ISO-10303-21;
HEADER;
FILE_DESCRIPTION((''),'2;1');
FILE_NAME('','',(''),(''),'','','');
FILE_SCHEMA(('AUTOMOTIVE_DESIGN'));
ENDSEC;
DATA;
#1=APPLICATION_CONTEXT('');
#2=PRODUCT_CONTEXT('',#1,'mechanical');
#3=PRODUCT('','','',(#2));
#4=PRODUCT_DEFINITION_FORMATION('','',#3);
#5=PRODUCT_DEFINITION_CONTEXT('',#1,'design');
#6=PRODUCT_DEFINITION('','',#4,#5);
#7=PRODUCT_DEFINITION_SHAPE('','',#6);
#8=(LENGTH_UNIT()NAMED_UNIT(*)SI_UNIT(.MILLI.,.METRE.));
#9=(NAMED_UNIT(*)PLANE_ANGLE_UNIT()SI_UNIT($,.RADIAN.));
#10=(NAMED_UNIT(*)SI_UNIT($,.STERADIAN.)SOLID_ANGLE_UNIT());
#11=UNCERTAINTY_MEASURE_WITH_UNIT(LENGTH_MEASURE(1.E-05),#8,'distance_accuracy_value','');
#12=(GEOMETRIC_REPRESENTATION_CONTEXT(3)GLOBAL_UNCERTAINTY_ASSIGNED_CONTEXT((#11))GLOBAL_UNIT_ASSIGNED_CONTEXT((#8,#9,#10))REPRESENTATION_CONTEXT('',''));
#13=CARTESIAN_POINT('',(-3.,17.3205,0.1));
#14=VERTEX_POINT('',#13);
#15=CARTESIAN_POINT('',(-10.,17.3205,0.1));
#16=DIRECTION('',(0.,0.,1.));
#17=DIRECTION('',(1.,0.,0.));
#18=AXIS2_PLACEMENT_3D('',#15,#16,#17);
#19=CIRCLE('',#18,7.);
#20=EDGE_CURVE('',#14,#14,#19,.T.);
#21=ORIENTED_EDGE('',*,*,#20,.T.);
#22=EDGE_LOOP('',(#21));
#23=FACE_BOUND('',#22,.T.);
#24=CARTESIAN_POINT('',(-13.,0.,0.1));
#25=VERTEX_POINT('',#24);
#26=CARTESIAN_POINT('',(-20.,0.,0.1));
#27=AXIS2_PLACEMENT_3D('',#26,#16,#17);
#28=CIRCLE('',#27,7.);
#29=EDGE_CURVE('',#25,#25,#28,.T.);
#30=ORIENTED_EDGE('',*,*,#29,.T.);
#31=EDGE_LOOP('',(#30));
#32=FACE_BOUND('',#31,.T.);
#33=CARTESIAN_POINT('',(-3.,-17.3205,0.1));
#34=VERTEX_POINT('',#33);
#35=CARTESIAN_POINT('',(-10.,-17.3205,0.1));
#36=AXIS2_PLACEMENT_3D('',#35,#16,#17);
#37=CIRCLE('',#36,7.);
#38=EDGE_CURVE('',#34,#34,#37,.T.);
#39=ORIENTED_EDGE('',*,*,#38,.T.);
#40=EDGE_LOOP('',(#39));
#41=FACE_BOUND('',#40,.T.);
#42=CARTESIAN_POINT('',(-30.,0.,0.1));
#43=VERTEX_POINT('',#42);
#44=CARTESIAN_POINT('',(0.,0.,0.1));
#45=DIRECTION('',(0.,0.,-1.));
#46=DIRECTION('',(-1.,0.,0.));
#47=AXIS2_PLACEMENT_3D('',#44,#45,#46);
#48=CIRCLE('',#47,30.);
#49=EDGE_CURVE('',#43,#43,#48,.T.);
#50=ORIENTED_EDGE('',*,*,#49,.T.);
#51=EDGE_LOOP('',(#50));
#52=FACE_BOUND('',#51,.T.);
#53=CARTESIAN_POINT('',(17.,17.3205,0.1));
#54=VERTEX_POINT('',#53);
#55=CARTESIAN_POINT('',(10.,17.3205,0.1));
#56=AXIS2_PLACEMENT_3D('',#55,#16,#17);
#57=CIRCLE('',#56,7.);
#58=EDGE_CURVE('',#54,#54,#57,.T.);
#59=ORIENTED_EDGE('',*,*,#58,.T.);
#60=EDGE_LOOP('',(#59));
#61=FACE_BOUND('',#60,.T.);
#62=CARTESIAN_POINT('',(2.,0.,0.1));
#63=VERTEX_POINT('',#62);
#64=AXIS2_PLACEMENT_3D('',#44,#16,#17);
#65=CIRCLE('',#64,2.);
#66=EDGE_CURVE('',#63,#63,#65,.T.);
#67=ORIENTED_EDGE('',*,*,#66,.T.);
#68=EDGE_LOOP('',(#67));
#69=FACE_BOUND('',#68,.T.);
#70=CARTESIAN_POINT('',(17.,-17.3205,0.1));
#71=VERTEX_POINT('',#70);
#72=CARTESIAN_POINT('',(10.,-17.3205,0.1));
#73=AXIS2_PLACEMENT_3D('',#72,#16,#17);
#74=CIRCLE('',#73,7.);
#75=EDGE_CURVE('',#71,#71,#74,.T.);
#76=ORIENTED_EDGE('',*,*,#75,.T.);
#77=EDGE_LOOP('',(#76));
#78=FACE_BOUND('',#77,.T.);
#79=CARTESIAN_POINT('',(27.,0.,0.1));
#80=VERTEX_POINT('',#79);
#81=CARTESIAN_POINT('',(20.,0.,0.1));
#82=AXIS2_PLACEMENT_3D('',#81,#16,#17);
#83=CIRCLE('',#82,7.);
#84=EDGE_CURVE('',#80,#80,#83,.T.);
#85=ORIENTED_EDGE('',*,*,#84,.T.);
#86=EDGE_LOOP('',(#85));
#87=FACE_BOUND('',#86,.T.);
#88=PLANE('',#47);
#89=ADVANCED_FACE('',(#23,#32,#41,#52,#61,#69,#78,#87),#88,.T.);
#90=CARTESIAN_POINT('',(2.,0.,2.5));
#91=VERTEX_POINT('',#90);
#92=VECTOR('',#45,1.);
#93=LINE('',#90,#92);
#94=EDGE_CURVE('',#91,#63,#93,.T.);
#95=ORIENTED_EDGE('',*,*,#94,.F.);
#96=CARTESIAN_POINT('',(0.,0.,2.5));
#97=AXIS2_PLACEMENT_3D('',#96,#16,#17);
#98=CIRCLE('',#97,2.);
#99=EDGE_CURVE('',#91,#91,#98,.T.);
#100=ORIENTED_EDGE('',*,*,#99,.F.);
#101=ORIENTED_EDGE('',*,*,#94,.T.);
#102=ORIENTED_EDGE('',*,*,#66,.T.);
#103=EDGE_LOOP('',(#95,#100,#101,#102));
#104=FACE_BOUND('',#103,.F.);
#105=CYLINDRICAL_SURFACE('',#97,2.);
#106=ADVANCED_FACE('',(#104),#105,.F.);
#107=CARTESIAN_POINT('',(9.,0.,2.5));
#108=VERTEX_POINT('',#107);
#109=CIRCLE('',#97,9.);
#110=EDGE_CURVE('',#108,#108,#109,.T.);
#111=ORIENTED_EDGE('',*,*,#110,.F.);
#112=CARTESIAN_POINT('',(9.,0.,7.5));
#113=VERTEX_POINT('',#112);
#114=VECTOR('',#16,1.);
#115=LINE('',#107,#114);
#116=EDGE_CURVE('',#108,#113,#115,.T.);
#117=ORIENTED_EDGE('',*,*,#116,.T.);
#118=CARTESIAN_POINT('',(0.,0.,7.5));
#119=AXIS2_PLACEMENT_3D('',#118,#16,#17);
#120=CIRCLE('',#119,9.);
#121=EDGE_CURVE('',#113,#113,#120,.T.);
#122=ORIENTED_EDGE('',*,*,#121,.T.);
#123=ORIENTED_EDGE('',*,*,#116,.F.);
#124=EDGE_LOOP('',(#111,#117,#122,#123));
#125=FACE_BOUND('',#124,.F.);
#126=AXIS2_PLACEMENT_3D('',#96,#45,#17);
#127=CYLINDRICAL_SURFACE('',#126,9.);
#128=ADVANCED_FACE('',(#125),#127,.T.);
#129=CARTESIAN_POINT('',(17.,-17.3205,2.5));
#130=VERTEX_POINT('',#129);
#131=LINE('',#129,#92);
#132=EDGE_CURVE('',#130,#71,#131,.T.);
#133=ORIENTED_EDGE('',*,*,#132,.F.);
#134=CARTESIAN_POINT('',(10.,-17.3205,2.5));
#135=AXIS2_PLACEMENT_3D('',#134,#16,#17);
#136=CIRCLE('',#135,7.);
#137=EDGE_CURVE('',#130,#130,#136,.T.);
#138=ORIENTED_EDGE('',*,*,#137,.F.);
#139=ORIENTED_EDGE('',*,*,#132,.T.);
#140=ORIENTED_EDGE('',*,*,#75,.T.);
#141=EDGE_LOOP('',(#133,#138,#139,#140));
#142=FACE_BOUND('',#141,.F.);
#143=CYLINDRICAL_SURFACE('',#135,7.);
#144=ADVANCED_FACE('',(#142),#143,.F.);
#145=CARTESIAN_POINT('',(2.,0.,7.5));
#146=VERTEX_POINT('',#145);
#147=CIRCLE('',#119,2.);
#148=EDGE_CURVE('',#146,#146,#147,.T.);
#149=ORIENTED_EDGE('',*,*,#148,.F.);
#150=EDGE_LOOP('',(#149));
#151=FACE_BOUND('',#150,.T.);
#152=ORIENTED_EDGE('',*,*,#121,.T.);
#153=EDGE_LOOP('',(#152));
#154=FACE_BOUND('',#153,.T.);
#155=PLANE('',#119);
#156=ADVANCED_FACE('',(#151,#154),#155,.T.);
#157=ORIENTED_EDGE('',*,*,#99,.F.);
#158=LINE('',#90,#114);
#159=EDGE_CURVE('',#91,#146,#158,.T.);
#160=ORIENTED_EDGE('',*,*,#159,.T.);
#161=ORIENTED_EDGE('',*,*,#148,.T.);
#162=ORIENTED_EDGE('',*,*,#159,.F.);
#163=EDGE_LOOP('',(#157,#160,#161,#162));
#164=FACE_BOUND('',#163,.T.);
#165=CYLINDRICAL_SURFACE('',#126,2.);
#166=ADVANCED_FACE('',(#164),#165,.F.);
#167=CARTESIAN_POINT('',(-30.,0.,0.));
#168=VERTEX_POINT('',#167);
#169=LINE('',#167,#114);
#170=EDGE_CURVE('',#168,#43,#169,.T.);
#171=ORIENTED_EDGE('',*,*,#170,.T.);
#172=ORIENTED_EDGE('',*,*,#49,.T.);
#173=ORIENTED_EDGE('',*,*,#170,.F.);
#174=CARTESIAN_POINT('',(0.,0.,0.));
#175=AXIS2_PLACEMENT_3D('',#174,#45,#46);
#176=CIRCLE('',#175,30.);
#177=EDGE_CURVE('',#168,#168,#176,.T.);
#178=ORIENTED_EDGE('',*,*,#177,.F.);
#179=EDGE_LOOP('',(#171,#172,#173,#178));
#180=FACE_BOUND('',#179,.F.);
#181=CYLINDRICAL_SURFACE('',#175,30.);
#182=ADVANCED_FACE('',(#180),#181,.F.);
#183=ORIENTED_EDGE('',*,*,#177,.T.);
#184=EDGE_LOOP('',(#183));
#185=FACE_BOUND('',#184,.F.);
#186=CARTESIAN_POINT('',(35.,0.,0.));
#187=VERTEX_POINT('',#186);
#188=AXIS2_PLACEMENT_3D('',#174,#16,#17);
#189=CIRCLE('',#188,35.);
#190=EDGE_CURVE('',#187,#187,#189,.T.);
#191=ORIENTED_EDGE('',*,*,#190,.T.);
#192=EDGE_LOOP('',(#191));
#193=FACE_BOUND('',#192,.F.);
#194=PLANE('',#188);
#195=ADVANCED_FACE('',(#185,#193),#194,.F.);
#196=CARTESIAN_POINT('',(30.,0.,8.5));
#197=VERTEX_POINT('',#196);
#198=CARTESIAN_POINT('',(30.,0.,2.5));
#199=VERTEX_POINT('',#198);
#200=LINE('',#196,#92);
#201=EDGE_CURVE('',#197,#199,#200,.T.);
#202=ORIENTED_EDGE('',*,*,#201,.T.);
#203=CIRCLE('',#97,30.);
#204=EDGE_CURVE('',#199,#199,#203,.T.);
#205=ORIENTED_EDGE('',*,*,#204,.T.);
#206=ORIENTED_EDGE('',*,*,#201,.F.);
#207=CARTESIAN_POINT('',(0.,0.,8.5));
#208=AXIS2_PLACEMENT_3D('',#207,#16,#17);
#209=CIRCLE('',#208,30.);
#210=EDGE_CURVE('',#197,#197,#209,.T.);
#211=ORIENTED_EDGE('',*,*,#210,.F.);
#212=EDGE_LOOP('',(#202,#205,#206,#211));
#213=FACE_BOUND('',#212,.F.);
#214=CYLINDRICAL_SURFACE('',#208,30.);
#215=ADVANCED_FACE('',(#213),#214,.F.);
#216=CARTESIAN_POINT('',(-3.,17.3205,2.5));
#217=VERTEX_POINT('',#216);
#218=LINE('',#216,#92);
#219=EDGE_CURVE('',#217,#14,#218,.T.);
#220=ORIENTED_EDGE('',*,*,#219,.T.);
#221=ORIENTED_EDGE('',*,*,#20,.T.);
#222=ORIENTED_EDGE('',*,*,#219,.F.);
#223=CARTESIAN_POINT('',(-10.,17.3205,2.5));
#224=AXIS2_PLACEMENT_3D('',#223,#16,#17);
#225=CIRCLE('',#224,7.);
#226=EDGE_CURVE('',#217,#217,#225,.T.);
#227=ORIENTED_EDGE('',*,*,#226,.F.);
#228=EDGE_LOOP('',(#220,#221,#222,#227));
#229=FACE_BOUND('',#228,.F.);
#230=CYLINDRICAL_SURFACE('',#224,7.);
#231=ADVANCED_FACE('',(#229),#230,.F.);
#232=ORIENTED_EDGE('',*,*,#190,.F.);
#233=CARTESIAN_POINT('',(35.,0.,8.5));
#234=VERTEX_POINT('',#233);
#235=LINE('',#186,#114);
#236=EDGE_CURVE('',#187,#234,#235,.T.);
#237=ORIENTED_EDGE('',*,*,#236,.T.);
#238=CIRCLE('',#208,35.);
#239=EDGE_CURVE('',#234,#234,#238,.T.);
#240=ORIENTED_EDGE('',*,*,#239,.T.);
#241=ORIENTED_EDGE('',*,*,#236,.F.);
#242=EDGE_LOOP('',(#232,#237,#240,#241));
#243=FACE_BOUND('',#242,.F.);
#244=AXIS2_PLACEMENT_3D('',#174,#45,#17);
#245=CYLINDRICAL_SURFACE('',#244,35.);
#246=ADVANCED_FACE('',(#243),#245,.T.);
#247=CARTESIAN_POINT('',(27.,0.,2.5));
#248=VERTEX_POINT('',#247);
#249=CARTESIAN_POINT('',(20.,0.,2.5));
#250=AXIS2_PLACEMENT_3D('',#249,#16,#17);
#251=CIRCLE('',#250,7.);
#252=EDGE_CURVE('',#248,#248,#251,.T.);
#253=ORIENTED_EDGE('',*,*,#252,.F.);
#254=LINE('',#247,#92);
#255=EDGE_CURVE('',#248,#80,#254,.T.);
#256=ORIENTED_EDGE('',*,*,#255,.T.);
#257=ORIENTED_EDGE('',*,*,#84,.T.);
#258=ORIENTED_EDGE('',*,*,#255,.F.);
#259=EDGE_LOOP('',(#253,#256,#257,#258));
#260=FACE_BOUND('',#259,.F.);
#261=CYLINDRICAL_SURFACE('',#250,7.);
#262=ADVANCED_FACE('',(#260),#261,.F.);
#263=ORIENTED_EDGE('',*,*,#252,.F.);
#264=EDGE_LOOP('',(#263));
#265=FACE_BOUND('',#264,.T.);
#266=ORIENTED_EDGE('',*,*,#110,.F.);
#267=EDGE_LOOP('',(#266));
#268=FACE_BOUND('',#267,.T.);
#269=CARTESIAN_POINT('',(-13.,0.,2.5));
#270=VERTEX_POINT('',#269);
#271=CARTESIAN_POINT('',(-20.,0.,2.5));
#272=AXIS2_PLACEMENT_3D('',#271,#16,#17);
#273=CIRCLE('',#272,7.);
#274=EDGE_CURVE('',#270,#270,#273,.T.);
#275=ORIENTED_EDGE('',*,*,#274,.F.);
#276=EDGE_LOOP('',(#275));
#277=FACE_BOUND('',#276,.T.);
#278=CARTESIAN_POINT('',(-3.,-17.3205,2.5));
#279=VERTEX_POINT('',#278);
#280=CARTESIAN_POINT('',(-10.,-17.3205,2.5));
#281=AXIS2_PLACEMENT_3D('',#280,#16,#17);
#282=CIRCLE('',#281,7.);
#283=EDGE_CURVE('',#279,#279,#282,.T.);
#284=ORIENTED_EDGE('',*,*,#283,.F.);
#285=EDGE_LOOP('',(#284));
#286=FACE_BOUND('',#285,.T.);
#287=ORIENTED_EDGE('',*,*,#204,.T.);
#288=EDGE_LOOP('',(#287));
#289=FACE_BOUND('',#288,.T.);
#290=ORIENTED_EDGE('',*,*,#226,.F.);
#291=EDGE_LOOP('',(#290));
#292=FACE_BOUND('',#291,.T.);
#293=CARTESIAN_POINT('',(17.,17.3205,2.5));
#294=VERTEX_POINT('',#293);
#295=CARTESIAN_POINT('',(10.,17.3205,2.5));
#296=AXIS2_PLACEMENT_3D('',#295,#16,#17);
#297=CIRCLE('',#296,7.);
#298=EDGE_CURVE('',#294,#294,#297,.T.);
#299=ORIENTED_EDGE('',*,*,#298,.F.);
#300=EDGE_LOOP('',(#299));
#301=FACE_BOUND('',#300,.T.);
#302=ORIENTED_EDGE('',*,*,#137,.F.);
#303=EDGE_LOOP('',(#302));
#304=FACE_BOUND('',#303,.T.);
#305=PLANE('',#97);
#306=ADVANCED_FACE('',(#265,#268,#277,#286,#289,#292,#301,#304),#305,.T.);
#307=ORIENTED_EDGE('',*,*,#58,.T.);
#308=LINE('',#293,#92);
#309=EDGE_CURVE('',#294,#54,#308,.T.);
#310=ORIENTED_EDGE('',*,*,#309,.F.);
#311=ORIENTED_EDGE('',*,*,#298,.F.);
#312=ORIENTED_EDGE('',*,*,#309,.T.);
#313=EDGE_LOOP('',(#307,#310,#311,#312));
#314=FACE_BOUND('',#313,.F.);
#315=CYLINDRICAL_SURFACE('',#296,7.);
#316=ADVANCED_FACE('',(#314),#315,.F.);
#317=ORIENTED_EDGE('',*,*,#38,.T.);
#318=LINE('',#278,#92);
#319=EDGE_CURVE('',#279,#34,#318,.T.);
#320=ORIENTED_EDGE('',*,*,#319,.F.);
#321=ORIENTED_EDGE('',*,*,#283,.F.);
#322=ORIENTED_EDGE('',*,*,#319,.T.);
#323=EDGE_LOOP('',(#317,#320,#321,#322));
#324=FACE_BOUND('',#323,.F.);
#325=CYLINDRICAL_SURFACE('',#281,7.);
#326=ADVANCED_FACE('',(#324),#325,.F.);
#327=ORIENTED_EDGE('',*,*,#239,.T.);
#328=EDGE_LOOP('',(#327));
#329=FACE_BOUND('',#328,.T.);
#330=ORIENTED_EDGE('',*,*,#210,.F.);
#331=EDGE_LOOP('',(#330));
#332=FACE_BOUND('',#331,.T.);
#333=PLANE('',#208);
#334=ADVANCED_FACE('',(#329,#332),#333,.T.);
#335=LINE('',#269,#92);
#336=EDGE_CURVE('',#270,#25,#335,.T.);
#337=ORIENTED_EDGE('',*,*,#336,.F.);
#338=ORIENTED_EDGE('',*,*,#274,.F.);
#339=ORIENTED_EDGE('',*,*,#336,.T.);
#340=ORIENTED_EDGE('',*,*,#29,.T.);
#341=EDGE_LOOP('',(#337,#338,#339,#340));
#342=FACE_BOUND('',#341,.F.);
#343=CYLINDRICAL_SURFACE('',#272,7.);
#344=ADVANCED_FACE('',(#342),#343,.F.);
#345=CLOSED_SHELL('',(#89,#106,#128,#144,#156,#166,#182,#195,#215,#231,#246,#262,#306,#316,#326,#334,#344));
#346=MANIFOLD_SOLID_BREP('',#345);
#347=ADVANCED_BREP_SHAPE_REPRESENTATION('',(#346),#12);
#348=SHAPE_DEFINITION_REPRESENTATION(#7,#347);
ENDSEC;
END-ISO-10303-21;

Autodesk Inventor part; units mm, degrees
ref_plane "YZ Plane" through (0, 0, 0) normal (1, 0, 0) x (0, 1, 0)
ref_plane "XZ Plane" through (0, 0, 0) normal (0, 1, 0) x (-1, 0, 0)
ref_plane "XY Plane" through (0, 0, 0) normal (0, 0, 1) x (1, 0, 0)
sketch "スケッチ1" plane through (0, 0, 0) normal (0, 0, 1) x (1, 0, 0)
  circle A0 centre (0, 0) radius 35
  dimension "d0" = 70
extrude "押し出し1" add sketch "スケッチ1" along normal blind 8.5
sketch "スケッチ2" plane through (0, 0, 8.5) normal (0, 0, 1) x (1, 0, 0)
  circle A0 centre (0, 0) radius 35 projected
  circle A1 centre (0, 0) radius 30
  dimension "d3" = 5
extrude "押し出し2" cut sketch "スケッチ2" against normal blind 6 contours A1
sketch "スケッチ3" plane through (0, 0, 2.5) normal (0, 0, 1) x (1, 0, 0)
  circle A0 centre (0, 0) radius 2
  circle A1 centre (0, 0) radius 9
  dimension "d7" = 4
  dimension "d8" = 18
extrude "押し出し3" add sketch "スケッチ3" along normal blind 5
extrude "押し出し4" cut sketch "スケッチ3" against normal blind 5 contours A0
sketch "スケッチ4" plane through (0, 0, 2.5) normal (0, 0, 1) x (1, 0, 0)
  circle A0 centre (20, 0) radius 7
  circle A1 centre (10, 17.3205) radius 7
  circle A2 centre (-10, 17.3205) radius 7
  circle A3 centre (-20, 0) radius 7
  circle A4 centre (-10, -17.3205) radius 7
  circle A5 centre (10, -17.3205) radius 7
  point P0 (0, 0)
  dimension "d14" = 14
  dimension "d15" = 20
  dimension "d18" = 360
extrude "押し出し5" cut sketch "スケッチ4" against normal blind 5
sketch "スケッチ5" plane through (0, 0, 0) normal (0, 0, -1) x (-1, 0, 0)
  circle A0 centre (0, 0) radius 2 projected
  circle A1 centre (0, 0) radius 30
extrude "押し出し6" cut sketch "スケッチ5" against normal blind 0.1
properties part number "20220524_70アルミホイール"
